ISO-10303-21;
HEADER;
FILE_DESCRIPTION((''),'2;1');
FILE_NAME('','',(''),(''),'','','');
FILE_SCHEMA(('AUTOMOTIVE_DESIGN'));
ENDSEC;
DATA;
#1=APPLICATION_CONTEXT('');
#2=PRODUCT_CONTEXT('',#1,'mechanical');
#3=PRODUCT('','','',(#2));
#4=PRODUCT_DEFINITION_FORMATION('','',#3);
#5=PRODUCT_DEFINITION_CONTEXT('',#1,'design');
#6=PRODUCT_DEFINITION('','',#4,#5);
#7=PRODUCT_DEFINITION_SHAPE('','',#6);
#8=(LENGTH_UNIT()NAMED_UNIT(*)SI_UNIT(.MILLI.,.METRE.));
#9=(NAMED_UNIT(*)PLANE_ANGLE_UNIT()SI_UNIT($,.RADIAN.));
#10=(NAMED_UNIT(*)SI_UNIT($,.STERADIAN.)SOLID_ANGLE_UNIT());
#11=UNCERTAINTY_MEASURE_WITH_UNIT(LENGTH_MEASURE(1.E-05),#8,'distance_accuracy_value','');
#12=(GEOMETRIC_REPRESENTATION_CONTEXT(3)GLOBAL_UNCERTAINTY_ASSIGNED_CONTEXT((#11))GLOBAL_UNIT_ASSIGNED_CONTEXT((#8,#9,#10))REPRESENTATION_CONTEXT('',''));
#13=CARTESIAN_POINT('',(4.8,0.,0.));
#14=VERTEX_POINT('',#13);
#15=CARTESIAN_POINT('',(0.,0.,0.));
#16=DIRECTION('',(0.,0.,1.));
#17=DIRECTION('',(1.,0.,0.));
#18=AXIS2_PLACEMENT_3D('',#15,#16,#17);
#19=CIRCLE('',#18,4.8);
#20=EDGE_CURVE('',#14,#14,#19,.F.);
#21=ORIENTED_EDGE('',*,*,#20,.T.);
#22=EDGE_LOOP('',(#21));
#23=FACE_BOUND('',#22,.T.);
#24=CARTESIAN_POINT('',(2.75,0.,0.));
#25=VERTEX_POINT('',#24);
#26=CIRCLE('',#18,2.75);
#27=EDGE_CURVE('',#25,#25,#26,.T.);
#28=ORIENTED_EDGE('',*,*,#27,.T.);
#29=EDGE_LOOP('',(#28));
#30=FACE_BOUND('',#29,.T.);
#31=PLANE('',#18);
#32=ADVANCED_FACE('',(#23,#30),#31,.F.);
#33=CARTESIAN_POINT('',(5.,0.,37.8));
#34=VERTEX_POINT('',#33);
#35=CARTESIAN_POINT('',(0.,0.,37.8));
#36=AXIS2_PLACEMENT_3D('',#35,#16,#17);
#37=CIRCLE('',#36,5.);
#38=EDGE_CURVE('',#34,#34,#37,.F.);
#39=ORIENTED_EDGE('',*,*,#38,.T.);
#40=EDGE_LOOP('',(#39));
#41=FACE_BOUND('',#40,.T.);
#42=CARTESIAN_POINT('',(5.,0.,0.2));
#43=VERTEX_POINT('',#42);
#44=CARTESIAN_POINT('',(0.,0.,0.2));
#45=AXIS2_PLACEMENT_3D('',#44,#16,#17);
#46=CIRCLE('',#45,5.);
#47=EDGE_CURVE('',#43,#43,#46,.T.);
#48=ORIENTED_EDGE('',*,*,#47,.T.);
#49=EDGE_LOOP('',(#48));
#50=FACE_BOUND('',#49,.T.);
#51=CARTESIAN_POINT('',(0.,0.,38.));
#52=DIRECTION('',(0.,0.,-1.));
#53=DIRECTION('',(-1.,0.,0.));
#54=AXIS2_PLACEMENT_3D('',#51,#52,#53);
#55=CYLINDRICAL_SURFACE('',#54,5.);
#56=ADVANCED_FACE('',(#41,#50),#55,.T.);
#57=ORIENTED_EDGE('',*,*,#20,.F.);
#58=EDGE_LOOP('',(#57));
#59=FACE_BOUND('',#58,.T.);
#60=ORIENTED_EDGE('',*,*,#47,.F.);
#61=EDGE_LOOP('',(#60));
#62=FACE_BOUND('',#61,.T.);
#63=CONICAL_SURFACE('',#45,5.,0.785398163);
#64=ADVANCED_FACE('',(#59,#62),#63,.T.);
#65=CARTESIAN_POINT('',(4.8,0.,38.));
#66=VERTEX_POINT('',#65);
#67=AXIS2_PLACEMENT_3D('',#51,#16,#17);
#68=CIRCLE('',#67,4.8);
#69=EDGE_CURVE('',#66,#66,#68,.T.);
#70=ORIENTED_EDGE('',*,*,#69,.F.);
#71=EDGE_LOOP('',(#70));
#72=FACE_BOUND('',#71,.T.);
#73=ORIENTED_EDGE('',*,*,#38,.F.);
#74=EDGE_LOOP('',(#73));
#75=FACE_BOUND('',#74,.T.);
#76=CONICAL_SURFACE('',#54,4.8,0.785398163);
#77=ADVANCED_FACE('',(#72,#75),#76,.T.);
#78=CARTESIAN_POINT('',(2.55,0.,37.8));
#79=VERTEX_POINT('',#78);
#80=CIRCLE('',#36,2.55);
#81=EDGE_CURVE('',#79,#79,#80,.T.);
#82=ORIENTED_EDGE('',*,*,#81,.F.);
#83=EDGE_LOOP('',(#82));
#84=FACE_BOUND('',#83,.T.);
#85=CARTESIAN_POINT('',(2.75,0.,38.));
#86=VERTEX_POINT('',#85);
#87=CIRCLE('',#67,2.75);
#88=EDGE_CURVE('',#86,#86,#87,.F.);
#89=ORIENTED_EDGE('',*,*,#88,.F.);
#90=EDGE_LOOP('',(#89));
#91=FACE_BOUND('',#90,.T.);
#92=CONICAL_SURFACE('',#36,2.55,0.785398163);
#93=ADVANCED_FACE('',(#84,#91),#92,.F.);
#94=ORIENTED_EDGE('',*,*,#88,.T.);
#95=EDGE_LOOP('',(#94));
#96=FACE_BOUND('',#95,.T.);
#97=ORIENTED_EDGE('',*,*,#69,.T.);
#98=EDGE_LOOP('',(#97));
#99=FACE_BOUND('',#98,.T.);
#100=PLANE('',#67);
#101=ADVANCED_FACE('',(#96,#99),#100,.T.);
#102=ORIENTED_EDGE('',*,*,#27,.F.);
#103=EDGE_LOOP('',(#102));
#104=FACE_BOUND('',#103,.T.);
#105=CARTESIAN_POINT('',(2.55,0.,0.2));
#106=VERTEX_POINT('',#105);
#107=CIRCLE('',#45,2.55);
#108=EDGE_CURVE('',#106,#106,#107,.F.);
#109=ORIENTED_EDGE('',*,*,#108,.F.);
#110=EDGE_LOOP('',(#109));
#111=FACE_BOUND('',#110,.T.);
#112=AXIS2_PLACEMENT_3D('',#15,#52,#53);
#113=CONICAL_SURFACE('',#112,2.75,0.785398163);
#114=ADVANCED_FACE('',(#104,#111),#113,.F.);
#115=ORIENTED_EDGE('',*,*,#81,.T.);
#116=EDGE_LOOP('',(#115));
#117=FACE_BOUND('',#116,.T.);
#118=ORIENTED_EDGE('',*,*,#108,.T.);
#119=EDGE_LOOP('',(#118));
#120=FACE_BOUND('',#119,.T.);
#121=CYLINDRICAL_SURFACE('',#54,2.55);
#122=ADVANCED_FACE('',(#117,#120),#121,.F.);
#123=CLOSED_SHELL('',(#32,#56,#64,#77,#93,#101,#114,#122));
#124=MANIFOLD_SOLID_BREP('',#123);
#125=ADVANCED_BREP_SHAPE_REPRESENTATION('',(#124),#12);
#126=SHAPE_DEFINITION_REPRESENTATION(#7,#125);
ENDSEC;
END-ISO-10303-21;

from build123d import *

# Parameters (mm, degrees)
SKETCH1_R           = 5
SKETCH1_R_2         = 2.55
BOSS_EXTRUDE1_DEPTH = 38
CHAMFER1_SIZE       = 0.2


with BuildPart() as part:
    # Sketch1 → Boss-Extrude1 (new body)
    with BuildSketch(Plane.XY):
        Circle(SKETCH1_R)
        Circle(SKETCH1_R_2, mode=Mode.SUBTRACT)
    extrude(amount=BOSS_EXTRUDE1_DEPTH)

    # Chamfer1
    chamfer1_edges = [part.edges().sort_by_distance(p)[0] for p in [
        (-5, 0, 0),
        (-5, 0, 38),
        (-2.55, 0, 0),
        (-2.55, 0, 38),
    ]]
    chamfer(chamfer1_edges, length=CHAMFER1_SIZE)


solid = part.part
